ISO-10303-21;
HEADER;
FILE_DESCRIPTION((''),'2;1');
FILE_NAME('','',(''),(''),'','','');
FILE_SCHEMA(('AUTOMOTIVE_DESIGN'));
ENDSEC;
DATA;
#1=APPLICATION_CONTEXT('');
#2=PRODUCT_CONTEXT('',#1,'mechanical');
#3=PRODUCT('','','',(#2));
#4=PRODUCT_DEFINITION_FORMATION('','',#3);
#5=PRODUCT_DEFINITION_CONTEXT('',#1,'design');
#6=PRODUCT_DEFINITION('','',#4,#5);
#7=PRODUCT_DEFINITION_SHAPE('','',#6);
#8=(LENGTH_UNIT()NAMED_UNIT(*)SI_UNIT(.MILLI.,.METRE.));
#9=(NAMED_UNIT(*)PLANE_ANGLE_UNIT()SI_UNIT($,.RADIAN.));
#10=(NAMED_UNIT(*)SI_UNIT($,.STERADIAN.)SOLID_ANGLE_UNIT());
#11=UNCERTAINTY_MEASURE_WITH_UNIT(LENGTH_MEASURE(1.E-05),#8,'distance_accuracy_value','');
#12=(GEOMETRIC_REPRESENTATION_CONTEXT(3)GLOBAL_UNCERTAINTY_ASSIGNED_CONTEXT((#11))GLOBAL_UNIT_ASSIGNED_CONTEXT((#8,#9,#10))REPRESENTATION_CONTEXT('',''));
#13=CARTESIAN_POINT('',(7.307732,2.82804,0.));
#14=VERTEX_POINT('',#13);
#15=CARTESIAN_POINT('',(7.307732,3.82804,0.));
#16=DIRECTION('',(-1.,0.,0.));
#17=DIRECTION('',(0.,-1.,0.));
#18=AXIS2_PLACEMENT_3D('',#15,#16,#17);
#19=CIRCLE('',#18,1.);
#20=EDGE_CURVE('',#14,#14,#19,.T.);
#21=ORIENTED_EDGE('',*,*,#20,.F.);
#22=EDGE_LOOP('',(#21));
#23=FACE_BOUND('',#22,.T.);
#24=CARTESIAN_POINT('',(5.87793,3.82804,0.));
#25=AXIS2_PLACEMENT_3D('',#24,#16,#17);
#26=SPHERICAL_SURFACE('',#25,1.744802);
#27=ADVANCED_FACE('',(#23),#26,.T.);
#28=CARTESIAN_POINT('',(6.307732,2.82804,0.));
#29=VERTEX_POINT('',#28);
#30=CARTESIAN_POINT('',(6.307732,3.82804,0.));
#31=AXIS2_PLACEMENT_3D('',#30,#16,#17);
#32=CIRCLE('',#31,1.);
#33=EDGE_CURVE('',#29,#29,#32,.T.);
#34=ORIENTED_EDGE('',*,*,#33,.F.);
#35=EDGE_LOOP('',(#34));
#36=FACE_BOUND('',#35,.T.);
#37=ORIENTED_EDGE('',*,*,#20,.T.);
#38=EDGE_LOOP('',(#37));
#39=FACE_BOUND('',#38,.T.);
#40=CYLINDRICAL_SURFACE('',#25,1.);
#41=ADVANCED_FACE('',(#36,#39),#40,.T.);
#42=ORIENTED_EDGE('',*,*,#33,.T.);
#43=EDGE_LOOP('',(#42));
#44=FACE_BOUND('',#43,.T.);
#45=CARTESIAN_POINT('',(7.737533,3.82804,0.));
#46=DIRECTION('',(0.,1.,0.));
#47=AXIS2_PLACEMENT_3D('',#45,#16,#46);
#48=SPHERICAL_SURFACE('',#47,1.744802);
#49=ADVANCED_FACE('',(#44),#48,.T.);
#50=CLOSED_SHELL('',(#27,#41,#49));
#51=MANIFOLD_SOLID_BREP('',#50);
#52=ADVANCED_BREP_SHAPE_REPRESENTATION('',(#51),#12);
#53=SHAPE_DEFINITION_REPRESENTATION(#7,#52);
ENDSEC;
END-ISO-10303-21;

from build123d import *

# Parameters (mm, degrees)
SKETCH_2_ONE_SIDE_W = 1
SKETCH_2_ONE_SIDE_H = 1


with BuildPart() as part:
    # 草图2 one side → 旋转1 (revolve)
    with BuildSketch(Plane.XY, mode=Mode.PRIVATE) as revolve_1_sk:
        with Locations((6.807731793, 4.328040396)):
            Rectangle(SKETCH_2_ONE_SIDE_W, SKETCH_2_ONE_SIDE_H)
        with BuildLine():
            Line((5.992731793, 3.828040396), (6.307731793, 3.828040396))
            Line((6.307731793, 3.828040396), (6.307731793, 4.828040396))
            ThreePointArc((6.307731793, 4.828040396), (6.07334399, 4.352260054), (5.992731793, 3.828040396))
        make_face()
        with BuildLine():
            Line((7.307731793, 3.828040396), (7.622731793, 3.828040396))
            ThreePointArc((7.622731793, 3.828040396), (7.542119597, 4.352260054), (7.307731793, 4.828040396))
            Line((7.307731793, 4.828040396), (7.307731793, 3.828040396))
        make_face()
    revolve(revolve_1_sk.sketch.rotate(Axis((5.877930206, 3.828040396, 0), (1, 0, 0)), 180), axis=Axis((5.877930206, 3.828040396, 0), (1, 0, 0)))  # turned: the seam where the file's is


solid = part.part
